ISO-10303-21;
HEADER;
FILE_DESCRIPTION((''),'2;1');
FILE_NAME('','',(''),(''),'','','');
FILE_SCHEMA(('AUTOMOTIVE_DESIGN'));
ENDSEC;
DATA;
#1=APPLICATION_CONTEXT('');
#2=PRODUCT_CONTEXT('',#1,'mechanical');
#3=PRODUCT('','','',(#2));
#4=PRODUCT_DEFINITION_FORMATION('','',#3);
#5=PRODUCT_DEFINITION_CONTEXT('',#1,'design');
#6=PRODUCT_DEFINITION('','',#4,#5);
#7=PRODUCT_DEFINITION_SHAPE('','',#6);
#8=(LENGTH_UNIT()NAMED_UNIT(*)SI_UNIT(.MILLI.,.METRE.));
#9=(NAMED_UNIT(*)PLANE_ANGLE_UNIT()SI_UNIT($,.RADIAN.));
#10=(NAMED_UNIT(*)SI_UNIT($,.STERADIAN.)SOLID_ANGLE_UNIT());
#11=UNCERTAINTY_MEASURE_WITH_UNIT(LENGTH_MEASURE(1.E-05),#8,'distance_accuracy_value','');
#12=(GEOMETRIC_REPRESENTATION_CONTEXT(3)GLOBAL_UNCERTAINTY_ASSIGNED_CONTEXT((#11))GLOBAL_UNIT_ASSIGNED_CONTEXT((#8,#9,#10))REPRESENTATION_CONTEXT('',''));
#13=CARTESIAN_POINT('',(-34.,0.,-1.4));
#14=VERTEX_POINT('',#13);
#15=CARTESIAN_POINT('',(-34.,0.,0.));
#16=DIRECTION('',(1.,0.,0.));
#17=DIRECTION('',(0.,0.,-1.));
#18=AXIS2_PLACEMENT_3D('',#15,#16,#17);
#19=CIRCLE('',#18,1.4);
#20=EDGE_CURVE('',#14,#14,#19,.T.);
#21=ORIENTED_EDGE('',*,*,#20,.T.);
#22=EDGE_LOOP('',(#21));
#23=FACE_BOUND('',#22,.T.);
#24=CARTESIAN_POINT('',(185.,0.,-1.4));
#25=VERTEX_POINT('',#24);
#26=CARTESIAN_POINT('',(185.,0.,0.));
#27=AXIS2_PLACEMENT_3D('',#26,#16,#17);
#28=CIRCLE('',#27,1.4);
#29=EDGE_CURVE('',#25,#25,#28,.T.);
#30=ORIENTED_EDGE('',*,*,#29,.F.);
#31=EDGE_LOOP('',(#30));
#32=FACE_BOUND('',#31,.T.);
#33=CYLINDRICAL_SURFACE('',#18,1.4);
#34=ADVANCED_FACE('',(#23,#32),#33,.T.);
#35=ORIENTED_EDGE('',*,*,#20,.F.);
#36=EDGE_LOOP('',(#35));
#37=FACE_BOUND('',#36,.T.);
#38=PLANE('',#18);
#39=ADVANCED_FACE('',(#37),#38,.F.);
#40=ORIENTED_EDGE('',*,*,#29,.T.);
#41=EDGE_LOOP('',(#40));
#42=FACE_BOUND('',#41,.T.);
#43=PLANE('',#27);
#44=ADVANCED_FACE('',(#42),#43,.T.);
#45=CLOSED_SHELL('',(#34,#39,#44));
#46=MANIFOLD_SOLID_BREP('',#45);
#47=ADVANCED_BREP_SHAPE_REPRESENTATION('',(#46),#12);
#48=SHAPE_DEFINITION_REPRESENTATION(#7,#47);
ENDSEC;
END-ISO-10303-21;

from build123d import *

# Parameters (mm, degrees)
BOSS_EXTRUDE1_DEPTH      = 185
BOSS_EXTRUDE1_DEPTH_BACK = 34
SKETCH1_R                = 1.4


with BuildPart() as part:
    # Sketch1 → Boss-Extrude1 (new, two sides: drawn at the far end of the back side and taken through both)
    with BuildSketch(Plane(origin=(0, 0, 0), x_dir=(0, 0, -1), z_dir=(1, 0, 0)).offset(-BOSS_EXTRUDE1_DEPTH_BACK)):
        Circle(SKETCH1_R)
    extrude(amount=BOSS_EXTRUDE1_DEPTH + BOSS_EXTRUDE1_DEPTH_BACK)


solid = part.part
